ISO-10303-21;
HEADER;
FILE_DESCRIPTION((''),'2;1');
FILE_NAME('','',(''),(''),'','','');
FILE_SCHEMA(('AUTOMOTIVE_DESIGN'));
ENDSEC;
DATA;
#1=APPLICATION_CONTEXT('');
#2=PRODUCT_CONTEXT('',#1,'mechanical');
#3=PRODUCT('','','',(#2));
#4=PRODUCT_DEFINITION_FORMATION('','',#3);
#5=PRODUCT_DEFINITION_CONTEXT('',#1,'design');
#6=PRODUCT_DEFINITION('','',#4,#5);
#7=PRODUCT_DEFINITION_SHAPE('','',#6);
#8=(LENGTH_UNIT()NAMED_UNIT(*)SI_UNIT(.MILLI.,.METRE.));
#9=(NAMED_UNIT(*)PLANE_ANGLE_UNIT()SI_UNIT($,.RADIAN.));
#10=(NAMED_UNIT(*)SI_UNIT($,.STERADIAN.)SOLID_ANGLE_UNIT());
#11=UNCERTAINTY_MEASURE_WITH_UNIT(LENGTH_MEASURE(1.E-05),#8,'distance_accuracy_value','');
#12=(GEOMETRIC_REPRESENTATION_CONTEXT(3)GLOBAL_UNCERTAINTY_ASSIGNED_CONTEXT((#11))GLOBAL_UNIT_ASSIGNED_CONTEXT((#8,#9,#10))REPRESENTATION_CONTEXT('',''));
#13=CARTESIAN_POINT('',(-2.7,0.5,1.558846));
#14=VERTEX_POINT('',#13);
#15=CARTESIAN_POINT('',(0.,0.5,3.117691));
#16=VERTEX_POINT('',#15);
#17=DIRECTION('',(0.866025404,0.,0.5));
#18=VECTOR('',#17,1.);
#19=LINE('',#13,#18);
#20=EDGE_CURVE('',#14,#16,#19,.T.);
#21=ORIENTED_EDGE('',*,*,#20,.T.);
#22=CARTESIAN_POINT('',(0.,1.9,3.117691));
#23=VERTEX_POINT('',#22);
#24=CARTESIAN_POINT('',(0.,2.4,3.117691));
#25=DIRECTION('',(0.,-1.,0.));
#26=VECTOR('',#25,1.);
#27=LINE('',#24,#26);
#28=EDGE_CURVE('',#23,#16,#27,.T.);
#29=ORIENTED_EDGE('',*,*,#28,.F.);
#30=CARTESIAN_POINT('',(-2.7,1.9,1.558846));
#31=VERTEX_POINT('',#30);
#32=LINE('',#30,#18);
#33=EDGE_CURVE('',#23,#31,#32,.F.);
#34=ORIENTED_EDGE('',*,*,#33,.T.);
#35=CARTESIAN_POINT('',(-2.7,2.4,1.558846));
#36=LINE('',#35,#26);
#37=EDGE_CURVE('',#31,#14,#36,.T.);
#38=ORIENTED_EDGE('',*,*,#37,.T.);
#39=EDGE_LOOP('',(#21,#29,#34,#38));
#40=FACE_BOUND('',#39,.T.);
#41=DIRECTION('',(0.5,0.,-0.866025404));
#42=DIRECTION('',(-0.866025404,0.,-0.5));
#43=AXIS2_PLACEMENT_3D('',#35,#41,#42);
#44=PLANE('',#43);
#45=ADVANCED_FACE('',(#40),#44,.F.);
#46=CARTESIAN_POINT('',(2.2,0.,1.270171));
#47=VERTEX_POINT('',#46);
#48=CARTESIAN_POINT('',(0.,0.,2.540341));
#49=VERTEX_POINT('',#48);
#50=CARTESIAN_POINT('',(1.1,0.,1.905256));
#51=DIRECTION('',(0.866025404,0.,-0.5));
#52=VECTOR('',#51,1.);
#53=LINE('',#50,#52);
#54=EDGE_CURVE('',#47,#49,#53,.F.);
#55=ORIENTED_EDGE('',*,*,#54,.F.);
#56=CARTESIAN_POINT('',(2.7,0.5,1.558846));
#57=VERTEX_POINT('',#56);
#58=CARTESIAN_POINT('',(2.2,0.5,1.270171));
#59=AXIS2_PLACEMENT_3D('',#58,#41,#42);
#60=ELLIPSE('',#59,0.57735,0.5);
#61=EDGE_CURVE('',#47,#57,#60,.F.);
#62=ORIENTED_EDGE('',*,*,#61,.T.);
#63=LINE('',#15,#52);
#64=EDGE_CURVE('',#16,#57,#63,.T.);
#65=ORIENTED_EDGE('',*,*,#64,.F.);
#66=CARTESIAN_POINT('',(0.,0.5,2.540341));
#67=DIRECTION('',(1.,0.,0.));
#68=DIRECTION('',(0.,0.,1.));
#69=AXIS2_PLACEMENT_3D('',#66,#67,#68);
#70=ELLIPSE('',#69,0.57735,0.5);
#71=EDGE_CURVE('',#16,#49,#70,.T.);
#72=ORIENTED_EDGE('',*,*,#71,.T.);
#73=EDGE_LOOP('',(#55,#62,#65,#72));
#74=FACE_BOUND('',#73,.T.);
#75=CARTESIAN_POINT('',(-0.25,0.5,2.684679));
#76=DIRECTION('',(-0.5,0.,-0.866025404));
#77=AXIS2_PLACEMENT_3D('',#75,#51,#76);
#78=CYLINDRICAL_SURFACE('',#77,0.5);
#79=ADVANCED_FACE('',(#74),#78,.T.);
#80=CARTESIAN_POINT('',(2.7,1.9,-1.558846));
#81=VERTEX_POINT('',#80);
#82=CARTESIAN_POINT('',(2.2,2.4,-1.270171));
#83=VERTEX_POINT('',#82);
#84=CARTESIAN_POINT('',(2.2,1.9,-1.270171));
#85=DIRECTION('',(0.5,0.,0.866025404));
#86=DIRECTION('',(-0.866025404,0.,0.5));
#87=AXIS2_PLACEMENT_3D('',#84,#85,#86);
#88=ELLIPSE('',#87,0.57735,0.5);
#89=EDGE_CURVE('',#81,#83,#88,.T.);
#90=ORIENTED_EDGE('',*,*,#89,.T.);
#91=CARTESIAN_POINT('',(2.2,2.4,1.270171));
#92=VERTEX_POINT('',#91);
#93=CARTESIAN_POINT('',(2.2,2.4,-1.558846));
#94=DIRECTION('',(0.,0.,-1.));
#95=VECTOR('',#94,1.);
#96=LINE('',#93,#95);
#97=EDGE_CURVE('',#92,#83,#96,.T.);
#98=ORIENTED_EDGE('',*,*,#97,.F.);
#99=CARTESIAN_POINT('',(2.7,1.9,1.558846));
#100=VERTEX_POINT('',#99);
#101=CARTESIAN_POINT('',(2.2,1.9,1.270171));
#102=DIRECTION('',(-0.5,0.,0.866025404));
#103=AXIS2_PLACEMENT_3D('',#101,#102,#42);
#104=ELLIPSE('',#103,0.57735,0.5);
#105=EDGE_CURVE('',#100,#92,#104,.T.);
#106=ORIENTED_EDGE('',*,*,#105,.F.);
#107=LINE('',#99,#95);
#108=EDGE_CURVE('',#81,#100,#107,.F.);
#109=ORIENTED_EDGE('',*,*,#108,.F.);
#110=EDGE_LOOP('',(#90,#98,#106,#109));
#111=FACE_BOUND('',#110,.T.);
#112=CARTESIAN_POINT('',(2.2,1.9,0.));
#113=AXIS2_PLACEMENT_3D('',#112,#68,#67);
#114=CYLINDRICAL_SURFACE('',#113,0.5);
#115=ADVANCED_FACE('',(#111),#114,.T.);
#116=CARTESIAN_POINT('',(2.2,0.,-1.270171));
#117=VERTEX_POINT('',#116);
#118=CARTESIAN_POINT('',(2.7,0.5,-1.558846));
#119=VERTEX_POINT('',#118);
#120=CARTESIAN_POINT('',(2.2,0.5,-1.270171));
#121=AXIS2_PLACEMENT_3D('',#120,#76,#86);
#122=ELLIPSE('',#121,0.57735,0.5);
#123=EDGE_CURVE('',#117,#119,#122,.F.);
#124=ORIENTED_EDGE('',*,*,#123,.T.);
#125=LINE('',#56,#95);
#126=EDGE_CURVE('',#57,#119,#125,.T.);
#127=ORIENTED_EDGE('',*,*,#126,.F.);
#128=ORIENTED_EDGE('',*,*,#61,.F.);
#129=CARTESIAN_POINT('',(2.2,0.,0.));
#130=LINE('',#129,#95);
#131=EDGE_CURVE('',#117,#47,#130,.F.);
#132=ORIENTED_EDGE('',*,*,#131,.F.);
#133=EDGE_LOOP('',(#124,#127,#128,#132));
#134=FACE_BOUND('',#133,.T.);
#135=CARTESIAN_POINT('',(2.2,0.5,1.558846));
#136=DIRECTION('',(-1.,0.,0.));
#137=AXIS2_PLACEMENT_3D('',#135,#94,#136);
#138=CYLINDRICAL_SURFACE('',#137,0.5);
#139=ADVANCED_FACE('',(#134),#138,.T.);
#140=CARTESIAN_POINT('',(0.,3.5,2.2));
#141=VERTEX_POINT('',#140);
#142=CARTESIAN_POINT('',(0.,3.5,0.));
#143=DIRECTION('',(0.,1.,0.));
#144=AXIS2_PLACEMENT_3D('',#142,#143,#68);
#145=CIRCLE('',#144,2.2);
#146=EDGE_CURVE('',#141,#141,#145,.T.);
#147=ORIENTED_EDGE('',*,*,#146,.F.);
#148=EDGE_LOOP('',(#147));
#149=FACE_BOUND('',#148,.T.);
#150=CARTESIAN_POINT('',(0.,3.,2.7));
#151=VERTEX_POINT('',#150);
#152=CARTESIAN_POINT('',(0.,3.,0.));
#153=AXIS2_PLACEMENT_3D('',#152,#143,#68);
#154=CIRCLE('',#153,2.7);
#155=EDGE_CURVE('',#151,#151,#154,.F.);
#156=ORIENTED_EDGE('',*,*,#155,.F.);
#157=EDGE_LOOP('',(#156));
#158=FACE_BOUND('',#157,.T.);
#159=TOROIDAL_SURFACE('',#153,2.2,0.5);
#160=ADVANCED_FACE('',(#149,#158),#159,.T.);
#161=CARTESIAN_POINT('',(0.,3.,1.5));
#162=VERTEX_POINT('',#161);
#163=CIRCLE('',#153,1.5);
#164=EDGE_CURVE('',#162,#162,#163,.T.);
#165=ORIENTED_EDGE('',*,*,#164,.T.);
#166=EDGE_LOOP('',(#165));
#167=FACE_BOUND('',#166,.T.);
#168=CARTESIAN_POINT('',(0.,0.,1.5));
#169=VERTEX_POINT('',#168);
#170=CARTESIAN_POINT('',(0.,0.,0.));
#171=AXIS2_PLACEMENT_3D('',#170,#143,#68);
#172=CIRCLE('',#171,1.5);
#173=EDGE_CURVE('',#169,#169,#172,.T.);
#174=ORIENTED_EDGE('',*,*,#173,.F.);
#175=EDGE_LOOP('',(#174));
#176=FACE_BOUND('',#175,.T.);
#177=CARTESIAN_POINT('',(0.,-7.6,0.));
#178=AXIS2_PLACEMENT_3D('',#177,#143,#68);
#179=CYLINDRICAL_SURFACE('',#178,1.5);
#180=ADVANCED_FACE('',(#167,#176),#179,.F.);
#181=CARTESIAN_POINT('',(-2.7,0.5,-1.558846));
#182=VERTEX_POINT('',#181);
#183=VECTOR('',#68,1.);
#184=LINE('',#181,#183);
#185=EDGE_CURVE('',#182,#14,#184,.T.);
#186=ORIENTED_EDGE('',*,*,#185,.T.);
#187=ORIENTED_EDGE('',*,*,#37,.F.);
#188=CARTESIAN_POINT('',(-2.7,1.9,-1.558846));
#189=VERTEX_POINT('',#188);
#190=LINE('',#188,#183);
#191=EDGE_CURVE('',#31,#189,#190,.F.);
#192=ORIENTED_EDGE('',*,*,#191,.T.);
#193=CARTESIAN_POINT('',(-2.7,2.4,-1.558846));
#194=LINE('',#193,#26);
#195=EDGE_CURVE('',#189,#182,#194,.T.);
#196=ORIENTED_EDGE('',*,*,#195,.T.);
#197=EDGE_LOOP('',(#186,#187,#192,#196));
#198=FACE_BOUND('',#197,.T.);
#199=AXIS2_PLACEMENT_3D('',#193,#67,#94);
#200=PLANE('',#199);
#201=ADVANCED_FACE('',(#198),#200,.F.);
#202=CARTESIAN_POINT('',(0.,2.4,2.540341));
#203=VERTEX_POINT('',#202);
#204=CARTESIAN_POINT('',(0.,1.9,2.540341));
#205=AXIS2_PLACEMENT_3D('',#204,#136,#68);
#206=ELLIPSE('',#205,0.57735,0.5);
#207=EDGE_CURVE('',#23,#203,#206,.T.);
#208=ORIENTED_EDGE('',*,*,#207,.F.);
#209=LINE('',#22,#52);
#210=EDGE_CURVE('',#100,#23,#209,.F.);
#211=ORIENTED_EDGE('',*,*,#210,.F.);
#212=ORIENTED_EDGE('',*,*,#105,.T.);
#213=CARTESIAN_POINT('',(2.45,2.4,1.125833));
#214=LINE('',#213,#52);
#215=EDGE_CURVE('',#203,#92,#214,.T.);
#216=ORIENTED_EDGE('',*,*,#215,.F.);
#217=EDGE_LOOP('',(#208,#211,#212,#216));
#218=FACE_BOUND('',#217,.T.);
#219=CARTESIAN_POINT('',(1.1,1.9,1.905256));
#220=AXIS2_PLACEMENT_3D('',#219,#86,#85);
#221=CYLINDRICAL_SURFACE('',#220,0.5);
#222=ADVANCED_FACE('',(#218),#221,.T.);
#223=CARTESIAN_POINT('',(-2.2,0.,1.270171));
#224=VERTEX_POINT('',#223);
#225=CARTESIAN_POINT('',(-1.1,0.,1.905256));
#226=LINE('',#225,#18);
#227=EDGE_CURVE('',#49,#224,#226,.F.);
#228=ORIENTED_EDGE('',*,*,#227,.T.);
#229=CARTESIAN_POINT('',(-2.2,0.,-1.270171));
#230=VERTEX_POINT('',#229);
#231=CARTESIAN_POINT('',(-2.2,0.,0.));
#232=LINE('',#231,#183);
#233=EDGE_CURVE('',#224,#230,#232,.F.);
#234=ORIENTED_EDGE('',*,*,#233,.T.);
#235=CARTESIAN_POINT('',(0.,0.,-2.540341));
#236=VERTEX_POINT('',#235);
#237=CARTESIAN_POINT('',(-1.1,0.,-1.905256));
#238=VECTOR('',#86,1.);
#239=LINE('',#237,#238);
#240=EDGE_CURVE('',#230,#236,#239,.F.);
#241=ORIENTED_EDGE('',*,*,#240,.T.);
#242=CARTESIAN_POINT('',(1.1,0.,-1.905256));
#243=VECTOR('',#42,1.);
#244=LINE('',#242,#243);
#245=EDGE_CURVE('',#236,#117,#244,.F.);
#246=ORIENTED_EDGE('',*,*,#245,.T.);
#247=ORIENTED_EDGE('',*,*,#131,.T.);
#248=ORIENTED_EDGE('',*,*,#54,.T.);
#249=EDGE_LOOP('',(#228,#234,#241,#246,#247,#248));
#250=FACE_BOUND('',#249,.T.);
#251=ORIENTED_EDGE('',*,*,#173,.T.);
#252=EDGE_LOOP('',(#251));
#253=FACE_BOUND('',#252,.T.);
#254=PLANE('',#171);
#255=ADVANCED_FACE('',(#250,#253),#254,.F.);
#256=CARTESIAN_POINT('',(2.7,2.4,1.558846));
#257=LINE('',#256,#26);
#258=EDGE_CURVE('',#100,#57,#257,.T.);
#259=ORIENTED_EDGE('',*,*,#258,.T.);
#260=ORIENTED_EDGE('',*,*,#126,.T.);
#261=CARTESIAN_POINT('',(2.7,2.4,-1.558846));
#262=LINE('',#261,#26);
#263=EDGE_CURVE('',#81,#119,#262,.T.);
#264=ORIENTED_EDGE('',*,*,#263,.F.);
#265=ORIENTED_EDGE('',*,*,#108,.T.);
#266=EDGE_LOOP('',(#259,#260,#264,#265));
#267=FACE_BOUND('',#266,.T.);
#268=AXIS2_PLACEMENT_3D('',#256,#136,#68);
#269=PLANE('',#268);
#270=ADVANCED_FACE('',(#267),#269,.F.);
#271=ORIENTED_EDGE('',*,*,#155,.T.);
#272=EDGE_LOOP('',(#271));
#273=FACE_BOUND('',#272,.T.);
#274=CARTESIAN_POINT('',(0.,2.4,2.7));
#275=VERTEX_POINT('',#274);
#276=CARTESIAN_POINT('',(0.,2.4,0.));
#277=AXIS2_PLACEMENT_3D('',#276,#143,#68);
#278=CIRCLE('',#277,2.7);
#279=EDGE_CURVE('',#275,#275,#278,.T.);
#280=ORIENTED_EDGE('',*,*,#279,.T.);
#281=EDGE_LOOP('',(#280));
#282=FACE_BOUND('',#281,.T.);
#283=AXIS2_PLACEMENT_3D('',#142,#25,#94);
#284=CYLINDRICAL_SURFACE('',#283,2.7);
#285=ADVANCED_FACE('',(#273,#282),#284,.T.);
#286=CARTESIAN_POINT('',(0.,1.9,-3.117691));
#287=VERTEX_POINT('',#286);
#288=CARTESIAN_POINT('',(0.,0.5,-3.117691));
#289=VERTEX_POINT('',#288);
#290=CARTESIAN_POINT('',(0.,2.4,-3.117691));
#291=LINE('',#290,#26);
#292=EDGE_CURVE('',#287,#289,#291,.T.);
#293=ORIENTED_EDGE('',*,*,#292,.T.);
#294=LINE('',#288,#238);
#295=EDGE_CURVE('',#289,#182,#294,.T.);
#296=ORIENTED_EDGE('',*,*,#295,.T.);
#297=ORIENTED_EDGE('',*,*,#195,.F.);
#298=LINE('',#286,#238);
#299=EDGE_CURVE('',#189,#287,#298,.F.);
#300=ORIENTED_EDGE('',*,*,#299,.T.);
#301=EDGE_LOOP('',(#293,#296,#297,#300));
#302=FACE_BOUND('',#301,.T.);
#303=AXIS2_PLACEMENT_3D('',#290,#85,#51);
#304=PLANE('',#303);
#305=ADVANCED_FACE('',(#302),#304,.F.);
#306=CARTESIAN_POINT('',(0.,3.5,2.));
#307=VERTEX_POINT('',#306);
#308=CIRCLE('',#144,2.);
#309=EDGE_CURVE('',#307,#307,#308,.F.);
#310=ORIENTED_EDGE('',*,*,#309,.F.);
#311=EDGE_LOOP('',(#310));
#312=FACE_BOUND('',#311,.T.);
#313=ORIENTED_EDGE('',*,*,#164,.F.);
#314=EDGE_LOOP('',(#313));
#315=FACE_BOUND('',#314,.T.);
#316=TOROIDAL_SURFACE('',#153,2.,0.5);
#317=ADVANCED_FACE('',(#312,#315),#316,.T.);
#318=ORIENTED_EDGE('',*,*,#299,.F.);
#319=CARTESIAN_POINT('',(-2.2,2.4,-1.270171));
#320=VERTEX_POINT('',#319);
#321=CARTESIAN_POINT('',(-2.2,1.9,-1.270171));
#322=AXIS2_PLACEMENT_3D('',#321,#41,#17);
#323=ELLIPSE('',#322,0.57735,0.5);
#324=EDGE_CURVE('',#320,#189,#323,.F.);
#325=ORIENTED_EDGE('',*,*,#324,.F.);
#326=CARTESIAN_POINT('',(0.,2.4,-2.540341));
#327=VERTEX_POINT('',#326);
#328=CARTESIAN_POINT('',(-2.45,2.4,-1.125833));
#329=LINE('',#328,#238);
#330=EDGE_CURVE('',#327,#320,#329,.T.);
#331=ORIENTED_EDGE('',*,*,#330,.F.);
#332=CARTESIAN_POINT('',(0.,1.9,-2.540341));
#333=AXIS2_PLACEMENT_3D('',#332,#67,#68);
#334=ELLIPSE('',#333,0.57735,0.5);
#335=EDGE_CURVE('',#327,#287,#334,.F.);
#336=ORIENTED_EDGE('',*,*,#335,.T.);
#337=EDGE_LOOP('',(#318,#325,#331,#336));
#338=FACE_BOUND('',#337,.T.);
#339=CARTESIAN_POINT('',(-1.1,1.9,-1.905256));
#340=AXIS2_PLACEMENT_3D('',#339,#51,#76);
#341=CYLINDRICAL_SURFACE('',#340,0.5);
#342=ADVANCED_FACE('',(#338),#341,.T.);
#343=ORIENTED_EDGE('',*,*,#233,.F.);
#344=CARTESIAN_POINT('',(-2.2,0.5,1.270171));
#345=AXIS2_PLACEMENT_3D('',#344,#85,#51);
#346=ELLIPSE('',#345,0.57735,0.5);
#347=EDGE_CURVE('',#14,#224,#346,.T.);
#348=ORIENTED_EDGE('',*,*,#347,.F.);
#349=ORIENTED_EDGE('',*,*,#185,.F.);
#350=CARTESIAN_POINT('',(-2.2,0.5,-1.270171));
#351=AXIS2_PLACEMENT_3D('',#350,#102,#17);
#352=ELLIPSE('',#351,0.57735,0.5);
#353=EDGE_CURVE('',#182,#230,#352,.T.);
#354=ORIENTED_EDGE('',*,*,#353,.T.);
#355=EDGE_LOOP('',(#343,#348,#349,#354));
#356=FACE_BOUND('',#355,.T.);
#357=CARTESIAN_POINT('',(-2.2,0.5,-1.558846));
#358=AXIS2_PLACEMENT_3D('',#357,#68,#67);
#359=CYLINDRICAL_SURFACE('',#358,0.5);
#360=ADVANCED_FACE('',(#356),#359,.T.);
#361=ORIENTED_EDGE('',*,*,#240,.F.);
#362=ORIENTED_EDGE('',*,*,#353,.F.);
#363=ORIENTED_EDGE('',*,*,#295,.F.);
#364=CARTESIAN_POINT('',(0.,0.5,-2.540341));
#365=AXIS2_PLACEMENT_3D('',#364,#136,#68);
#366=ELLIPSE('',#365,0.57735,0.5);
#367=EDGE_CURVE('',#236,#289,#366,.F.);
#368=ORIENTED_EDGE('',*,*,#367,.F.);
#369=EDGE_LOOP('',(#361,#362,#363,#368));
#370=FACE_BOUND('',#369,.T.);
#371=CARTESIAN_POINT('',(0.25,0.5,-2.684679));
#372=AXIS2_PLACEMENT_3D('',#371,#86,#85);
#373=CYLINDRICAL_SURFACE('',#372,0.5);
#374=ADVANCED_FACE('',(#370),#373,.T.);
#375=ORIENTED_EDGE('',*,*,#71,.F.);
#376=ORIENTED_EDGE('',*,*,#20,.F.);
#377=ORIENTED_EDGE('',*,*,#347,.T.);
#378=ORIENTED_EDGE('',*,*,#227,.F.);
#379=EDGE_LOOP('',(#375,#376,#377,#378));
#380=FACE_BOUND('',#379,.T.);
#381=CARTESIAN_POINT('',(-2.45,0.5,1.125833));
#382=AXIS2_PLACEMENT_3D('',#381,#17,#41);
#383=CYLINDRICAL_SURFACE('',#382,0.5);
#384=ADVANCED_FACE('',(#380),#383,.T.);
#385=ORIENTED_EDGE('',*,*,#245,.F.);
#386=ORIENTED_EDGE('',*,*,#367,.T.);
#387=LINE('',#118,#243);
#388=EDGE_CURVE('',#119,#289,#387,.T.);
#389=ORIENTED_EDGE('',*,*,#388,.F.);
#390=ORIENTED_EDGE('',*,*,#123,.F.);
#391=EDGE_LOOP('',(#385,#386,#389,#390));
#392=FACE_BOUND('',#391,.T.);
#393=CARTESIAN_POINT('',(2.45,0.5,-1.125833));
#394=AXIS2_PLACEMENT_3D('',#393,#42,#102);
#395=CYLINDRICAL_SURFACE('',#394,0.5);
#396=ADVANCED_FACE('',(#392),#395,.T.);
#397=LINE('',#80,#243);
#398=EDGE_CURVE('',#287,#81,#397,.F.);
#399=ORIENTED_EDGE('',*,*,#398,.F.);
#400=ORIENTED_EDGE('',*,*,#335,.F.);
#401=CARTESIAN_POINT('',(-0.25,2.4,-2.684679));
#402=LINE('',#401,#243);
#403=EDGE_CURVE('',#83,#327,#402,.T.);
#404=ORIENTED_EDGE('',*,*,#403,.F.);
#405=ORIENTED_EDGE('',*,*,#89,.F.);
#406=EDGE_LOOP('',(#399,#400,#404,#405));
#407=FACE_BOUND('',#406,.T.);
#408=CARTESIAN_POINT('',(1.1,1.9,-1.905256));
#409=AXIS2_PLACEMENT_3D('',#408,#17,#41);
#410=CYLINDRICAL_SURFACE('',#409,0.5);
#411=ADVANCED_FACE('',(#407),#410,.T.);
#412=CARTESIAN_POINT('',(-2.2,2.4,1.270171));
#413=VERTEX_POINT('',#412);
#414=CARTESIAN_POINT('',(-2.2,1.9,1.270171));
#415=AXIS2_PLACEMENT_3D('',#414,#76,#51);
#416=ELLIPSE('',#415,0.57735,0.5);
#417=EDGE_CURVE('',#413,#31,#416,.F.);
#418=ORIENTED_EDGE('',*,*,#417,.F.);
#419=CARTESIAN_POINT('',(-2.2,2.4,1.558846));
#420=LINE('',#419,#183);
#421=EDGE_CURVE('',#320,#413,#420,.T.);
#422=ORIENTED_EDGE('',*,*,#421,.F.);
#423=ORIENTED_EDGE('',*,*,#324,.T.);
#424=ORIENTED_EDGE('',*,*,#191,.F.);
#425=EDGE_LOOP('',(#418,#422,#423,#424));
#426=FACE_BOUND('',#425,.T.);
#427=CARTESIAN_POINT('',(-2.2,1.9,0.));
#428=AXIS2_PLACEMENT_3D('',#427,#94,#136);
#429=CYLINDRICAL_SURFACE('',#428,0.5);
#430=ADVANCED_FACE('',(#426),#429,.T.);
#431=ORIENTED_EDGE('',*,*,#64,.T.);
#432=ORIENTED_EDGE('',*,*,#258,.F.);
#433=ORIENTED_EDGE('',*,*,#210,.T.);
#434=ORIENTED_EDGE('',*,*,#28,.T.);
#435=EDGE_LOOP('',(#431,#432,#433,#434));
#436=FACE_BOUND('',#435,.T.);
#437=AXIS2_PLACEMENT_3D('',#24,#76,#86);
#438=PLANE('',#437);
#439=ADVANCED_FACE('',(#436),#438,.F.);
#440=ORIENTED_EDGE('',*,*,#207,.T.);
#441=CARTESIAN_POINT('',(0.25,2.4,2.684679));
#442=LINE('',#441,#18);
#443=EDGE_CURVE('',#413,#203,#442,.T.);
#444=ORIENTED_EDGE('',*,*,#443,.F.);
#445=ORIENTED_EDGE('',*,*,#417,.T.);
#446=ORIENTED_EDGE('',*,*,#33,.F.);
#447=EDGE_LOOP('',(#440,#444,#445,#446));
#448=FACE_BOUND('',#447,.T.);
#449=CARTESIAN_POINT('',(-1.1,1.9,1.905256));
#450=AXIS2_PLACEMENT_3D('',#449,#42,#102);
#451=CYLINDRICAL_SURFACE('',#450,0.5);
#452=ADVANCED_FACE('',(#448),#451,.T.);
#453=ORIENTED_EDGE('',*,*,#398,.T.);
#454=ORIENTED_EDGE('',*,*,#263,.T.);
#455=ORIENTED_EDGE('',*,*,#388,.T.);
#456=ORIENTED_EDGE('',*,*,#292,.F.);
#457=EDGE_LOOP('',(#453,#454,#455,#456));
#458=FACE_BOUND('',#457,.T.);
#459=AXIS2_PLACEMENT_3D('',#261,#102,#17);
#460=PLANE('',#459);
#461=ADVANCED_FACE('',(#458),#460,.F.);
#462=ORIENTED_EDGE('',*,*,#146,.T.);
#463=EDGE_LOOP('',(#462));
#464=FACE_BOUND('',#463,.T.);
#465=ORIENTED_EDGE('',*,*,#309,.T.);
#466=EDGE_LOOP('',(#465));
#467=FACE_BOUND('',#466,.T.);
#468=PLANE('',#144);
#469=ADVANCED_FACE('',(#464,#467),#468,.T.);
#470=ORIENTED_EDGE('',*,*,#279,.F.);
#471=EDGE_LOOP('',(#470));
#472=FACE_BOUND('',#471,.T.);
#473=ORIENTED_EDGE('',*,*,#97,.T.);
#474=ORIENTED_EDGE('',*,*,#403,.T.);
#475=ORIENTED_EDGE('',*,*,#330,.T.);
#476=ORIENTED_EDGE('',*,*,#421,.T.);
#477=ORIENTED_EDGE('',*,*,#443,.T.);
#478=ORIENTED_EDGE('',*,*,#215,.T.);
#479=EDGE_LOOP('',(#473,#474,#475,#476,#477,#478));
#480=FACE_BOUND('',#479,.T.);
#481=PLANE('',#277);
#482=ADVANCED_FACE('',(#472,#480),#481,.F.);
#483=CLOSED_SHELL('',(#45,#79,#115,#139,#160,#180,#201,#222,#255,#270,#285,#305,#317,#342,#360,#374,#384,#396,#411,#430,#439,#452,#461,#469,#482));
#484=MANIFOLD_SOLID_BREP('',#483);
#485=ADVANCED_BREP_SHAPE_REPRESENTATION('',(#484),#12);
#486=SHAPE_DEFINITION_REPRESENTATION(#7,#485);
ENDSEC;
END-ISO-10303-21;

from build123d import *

# Parameters (mm, degrees)
EXTRUDE_1_DEPTH     = 2.4
SKETCH_2_R          = 1.5
CUT_EXTRUDE_1_DEPTH = 10
FILLET_1_R          = 0.5
EXTRUDE_START       = 1.1
SKETCH_3_R          = 2.7
SKETCH_3_R_2        = 1.5
EXTRUDE_2_DEPTH     = 1.1
FILLET_2_R          = 0.5


with BuildPart() as part:
    # 草图1 → 凸台-拉伸1 (new body)
    with BuildSketch(Plane(origin=(0, 0, 0), x_dir=(1, 0, 0), z_dir=(0, 1, 0))):
        Polygon((0, 3.117691454), (-2.7, 1.558845727), (-2.7, -1.558845727), (0, -3.117691454), (2.7, -1.558845727), (2.7, 1.558845727), align=None)
    extrude(amount=EXTRUDE_1_DEPTH)

    # 草图2 → 切除-拉伸1 (cut)
    with BuildSketch(Plane(origin=(0, 2.4, 0), x_dir=(1, 0, 0), z_dir=(0, 1, 0))):
        with Locations(Location((0, 0, 0), (0, 0, 270))):
            Circle(SKETCH_2_R)
    extrude(amount=-CUT_EXTRUDE_1_DEPTH, mode=Mode.SUBTRACT)

    # 圆角1
    fillet_1_edges = [part.edges().sort_by_distance(p)[0] for p in [
        (-2.7, 2.4, 0),
        (-1.35, 2.4, 2.33826859),
        (1.35, 2.4, 2.33826859),
        (2.7, 2.4, 0),
        (1.35, 2.4, -2.33826859),
        (2.7, 0, 0),
        (1.35, 0, 2.33826859),
        (-1.35, 0, 2.33826859),
        (-2.7, 0, 0),
        (-1.35, 0, -2.33826859),
        (1.35, 0, -2.33826859),
        (-1.35, 2.4, -2.33826859),
    ]]
    fillet(fillet_1_edges, radius=FILLET_1_R)

    # 草图3 → 凸台-拉伸2 (add)
    with BuildSketch(Plane(origin=(0, 2.4, 0), x_dir=(1, 0, 0), z_dir=(0, 1, 0)).offset(EXTRUDE_START)):
        with Locations(Location((0, 0, 0), (0, 0, 270))):
            Circle(SKETCH_3_R)
        with Locations(Location((0, 0, 0), (0, 0, 270))):
            Circle(SKETCH_3_R_2, mode=Mode.SUBTRACT)
    extrude(amount=-EXTRUDE_2_DEPTH)

    # 圆角2
    fillet_2_edges = [part.edges().sort_by_distance(p)[0] for p in [
        (0, 3.5, -2.7),
        (0, 3.5, -1.5),
    ]]
    fillet(fillet_2_edges, radius=FILLET_2_R)


solid = part.part
